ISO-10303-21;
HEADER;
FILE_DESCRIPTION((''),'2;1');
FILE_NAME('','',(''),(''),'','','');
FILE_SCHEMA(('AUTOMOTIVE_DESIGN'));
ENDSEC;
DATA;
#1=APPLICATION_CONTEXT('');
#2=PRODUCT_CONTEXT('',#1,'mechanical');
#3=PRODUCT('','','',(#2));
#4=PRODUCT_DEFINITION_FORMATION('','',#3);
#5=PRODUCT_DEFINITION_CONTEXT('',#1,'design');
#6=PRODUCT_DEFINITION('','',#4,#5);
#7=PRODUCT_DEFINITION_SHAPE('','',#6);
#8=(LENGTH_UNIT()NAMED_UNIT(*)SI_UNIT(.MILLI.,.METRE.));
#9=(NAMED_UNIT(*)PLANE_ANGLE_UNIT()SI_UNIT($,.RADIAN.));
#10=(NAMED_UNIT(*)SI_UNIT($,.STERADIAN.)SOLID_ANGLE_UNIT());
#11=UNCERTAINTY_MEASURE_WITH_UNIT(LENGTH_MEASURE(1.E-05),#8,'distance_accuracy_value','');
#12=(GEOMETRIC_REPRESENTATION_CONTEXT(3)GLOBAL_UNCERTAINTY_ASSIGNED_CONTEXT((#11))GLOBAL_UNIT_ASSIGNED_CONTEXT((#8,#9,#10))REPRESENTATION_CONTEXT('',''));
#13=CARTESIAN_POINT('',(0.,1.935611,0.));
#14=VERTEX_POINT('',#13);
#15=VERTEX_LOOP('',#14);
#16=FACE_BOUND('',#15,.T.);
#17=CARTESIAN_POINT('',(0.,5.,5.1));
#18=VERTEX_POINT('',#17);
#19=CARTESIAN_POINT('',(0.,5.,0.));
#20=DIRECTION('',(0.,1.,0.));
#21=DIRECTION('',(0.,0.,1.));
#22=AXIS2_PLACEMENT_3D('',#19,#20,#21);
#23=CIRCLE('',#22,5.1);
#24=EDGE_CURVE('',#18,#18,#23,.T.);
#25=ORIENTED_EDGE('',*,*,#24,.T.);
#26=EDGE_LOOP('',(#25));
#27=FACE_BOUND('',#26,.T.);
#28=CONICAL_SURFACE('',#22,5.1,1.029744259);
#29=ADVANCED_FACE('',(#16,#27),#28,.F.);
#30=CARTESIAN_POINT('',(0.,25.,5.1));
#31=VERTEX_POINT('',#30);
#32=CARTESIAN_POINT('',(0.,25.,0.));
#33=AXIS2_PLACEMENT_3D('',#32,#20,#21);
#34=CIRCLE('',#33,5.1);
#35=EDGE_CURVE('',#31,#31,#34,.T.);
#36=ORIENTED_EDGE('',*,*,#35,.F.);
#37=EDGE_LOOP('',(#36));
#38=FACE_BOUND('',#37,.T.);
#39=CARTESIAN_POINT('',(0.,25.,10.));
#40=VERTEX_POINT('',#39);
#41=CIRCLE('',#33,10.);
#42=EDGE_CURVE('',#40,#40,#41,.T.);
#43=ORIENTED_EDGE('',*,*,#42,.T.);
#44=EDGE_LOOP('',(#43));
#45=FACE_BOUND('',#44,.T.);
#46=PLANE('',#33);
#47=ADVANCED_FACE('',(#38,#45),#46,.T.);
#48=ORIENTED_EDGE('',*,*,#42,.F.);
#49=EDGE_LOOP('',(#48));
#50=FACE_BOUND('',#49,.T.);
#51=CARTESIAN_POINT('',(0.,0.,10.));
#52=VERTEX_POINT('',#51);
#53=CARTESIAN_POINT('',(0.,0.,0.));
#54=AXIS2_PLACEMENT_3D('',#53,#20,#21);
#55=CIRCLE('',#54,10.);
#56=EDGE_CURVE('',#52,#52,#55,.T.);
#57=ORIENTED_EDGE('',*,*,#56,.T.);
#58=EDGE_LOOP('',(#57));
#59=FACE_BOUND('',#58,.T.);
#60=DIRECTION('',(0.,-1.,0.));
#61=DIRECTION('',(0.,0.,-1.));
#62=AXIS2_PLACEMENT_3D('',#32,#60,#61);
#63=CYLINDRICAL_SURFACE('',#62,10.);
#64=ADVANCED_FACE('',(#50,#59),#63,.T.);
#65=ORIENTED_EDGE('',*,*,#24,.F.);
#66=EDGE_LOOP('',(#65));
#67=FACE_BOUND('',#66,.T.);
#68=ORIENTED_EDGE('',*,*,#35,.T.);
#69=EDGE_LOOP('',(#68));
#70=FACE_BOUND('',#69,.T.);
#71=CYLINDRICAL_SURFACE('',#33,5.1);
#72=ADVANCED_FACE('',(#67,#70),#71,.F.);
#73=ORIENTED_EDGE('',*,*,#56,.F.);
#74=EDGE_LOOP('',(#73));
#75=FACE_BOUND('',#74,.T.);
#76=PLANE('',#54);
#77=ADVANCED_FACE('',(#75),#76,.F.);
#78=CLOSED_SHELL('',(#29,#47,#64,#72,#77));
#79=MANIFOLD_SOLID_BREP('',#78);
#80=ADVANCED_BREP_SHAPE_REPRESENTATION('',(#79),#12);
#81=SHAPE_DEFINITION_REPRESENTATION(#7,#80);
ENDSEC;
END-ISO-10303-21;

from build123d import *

# Parameters (mm, degrees)
SKIZZE1_R                 = 10
ZAPFEN_DEPTH              = 25
M12_GEWINDEBOHRUNG1_D     = 10.2
M12_GEWINDEBOHRUNG1_DEPTH = 20
M12_GEWINDEBOHRUNG1_TIP   = 3.064389157


with BuildPart() as part:
    # Skizze1 → Zapfen (new body)
    with BuildSketch(Plane(origin=(0, 0, 0), x_dir=(1, 0, 0), z_dir=(0, 1, 0))):
        with Locations(Location((0, 0, 0), (0, 0, 270))):  # turned: the seam where the file's is
            Circle(SKIZZE1_R)
    extrude(amount=ZAPFEN_DEPTH)

    # M12 Gewindebohrung1
    with Locations(Plane(origin=(0, 25, 0), x_dir=(1, 0, 0), z_dir=(0, 1, 0))):
        with Locations((0, 0)):
            Hole(M12_GEWINDEBOHRUNG1_D / 2, depth=M12_GEWINDEBOHRUNG1_DEPTH)
            with Locations((0, 0, -(M12_GEWINDEBOHRUNG1_DEPTH + M12_GEWINDEBOHRUNG1_TIP / 2))):  # 118° drill point
                Cone(0, M12_GEWINDEBOHRUNG1_D / 2, M12_GEWINDEBOHRUNG1_TIP, mode=Mode.SUBTRACT)


solid = part.part
